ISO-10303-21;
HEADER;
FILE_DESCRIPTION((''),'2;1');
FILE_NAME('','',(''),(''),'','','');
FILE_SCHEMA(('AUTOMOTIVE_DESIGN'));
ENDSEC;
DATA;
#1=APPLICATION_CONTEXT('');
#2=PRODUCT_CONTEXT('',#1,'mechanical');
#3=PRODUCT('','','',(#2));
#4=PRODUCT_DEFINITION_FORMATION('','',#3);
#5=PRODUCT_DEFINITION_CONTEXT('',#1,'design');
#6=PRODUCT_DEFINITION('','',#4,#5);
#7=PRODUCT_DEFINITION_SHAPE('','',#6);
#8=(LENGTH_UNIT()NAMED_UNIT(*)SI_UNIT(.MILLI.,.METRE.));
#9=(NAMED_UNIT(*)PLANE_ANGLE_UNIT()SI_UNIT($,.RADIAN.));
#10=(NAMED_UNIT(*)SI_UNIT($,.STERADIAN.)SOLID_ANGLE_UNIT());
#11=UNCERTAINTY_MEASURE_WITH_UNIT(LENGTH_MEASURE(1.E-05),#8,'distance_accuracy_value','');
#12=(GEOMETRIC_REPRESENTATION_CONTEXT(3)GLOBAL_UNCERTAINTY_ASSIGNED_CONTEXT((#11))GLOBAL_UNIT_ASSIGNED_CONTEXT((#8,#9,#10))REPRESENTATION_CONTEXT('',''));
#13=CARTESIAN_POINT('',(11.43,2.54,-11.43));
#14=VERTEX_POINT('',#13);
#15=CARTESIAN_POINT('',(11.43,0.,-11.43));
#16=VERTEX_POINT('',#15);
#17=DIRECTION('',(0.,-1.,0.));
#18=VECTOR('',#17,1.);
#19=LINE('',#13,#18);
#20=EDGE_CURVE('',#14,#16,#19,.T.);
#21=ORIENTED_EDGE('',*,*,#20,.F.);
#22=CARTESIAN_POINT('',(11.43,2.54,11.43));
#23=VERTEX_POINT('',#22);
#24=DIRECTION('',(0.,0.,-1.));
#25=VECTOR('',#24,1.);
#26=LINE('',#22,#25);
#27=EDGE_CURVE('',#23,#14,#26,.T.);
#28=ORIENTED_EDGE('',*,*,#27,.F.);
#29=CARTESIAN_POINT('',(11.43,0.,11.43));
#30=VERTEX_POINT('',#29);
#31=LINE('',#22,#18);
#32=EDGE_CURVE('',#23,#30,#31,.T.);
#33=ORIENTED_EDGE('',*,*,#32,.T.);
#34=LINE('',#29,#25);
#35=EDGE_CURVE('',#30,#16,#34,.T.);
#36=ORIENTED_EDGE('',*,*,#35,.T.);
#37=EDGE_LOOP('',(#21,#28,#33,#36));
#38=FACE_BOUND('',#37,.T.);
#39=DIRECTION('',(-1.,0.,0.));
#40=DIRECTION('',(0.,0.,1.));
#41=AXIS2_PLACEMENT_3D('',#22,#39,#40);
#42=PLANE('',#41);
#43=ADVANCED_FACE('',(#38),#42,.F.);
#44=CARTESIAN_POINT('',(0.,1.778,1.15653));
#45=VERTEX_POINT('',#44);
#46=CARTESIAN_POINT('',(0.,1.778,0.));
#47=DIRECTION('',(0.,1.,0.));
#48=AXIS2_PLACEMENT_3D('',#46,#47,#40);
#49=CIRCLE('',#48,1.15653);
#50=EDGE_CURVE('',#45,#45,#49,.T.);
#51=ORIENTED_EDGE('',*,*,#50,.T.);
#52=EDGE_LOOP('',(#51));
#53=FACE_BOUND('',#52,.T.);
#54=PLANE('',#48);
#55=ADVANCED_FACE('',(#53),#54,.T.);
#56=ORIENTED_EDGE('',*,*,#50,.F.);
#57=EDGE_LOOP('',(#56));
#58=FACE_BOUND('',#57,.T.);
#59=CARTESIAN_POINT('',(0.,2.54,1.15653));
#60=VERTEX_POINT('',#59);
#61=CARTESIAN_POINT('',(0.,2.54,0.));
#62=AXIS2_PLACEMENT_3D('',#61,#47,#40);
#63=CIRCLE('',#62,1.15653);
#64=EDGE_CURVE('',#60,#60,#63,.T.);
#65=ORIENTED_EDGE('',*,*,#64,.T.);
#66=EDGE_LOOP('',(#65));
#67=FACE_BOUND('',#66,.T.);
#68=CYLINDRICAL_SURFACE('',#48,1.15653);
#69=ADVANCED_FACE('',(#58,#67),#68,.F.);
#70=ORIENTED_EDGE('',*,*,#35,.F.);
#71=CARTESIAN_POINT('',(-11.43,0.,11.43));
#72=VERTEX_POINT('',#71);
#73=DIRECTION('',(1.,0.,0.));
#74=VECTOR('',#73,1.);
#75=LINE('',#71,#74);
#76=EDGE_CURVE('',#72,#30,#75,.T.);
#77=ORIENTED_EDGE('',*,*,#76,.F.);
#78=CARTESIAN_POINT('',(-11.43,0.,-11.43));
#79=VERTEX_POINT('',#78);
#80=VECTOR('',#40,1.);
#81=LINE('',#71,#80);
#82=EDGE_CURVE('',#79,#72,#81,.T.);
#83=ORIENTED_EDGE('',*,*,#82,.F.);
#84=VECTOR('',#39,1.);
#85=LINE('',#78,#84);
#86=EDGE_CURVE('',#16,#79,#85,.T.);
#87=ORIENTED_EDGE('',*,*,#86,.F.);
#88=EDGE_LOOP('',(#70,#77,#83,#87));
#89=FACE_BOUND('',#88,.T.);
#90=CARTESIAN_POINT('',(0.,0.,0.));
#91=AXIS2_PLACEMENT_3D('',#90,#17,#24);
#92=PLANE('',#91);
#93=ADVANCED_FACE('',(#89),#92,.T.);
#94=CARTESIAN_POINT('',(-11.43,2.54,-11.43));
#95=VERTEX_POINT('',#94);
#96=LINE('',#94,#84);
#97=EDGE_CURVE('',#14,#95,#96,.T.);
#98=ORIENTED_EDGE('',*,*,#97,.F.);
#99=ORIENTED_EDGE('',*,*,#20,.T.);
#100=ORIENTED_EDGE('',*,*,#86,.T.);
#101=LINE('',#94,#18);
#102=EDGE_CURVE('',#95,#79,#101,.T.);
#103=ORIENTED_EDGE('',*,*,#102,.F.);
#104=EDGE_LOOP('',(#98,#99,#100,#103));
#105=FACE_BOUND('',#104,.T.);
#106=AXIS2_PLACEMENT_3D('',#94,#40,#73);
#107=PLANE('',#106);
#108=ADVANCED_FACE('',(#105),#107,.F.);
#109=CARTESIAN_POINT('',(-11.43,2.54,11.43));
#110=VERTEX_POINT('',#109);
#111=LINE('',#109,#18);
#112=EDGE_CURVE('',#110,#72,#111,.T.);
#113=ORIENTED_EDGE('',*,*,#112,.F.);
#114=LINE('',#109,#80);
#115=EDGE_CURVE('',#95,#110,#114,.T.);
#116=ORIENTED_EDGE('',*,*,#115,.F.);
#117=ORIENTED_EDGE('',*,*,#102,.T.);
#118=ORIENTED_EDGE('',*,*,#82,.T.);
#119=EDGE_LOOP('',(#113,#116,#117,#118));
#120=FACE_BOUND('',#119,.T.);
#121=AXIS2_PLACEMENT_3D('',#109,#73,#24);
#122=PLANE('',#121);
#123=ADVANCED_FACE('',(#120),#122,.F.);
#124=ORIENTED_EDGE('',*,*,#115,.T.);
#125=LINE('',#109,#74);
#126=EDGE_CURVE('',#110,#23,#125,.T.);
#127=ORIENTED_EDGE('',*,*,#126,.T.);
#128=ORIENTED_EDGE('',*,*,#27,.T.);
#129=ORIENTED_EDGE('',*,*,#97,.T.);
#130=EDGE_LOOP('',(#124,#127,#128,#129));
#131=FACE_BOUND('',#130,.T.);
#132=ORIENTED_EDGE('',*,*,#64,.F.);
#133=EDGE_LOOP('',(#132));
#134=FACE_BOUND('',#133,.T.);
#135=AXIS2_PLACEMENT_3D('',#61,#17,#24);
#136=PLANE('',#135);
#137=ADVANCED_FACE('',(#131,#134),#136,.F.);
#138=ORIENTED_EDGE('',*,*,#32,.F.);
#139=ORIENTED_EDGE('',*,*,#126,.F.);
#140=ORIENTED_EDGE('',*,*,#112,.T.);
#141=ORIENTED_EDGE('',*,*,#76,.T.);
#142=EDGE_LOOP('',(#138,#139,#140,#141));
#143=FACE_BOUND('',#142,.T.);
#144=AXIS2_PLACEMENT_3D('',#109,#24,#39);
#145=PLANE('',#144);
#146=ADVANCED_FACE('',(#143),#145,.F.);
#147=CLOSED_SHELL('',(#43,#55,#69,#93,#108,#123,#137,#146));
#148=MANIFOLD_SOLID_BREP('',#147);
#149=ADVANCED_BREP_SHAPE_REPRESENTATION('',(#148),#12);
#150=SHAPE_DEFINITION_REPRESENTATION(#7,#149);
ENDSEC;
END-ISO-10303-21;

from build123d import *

# Parameters (mm, degrees)
SKETCH1_W           = 22.86
SKETCH1_H           = 22.86
BOSS_EXTRUDE1_DEPTH = 2.54
SKETCH2_R           = 1.156530307
CUT_EXTRUDE1_DEPTH  = 0.762


with BuildPart() as part:
    # Sketch1 → Boss-Extrude1 (new body)
    with BuildSketch(Plane(origin=(0, 0, 0), x_dir=(1, 0, 0), z_dir=(0, 1, 0))):
        Rectangle(SKETCH1_W, SKETCH1_H)
    extrude(amount=BOSS_EXTRUDE1_DEPTH)

    # Sketch2 → Cut-Extrude1 (cut)
    with BuildSketch(Plane(origin=(0, 2.54, 0), x_dir=(1, 0, 0), z_dir=(0, 1, 0))):
        Circle(SKETCH2_R)
    extrude(amount=-CUT_EXTRUDE1_DEPTH, mode=Mode.SUBTRACT)


solid = part.part
